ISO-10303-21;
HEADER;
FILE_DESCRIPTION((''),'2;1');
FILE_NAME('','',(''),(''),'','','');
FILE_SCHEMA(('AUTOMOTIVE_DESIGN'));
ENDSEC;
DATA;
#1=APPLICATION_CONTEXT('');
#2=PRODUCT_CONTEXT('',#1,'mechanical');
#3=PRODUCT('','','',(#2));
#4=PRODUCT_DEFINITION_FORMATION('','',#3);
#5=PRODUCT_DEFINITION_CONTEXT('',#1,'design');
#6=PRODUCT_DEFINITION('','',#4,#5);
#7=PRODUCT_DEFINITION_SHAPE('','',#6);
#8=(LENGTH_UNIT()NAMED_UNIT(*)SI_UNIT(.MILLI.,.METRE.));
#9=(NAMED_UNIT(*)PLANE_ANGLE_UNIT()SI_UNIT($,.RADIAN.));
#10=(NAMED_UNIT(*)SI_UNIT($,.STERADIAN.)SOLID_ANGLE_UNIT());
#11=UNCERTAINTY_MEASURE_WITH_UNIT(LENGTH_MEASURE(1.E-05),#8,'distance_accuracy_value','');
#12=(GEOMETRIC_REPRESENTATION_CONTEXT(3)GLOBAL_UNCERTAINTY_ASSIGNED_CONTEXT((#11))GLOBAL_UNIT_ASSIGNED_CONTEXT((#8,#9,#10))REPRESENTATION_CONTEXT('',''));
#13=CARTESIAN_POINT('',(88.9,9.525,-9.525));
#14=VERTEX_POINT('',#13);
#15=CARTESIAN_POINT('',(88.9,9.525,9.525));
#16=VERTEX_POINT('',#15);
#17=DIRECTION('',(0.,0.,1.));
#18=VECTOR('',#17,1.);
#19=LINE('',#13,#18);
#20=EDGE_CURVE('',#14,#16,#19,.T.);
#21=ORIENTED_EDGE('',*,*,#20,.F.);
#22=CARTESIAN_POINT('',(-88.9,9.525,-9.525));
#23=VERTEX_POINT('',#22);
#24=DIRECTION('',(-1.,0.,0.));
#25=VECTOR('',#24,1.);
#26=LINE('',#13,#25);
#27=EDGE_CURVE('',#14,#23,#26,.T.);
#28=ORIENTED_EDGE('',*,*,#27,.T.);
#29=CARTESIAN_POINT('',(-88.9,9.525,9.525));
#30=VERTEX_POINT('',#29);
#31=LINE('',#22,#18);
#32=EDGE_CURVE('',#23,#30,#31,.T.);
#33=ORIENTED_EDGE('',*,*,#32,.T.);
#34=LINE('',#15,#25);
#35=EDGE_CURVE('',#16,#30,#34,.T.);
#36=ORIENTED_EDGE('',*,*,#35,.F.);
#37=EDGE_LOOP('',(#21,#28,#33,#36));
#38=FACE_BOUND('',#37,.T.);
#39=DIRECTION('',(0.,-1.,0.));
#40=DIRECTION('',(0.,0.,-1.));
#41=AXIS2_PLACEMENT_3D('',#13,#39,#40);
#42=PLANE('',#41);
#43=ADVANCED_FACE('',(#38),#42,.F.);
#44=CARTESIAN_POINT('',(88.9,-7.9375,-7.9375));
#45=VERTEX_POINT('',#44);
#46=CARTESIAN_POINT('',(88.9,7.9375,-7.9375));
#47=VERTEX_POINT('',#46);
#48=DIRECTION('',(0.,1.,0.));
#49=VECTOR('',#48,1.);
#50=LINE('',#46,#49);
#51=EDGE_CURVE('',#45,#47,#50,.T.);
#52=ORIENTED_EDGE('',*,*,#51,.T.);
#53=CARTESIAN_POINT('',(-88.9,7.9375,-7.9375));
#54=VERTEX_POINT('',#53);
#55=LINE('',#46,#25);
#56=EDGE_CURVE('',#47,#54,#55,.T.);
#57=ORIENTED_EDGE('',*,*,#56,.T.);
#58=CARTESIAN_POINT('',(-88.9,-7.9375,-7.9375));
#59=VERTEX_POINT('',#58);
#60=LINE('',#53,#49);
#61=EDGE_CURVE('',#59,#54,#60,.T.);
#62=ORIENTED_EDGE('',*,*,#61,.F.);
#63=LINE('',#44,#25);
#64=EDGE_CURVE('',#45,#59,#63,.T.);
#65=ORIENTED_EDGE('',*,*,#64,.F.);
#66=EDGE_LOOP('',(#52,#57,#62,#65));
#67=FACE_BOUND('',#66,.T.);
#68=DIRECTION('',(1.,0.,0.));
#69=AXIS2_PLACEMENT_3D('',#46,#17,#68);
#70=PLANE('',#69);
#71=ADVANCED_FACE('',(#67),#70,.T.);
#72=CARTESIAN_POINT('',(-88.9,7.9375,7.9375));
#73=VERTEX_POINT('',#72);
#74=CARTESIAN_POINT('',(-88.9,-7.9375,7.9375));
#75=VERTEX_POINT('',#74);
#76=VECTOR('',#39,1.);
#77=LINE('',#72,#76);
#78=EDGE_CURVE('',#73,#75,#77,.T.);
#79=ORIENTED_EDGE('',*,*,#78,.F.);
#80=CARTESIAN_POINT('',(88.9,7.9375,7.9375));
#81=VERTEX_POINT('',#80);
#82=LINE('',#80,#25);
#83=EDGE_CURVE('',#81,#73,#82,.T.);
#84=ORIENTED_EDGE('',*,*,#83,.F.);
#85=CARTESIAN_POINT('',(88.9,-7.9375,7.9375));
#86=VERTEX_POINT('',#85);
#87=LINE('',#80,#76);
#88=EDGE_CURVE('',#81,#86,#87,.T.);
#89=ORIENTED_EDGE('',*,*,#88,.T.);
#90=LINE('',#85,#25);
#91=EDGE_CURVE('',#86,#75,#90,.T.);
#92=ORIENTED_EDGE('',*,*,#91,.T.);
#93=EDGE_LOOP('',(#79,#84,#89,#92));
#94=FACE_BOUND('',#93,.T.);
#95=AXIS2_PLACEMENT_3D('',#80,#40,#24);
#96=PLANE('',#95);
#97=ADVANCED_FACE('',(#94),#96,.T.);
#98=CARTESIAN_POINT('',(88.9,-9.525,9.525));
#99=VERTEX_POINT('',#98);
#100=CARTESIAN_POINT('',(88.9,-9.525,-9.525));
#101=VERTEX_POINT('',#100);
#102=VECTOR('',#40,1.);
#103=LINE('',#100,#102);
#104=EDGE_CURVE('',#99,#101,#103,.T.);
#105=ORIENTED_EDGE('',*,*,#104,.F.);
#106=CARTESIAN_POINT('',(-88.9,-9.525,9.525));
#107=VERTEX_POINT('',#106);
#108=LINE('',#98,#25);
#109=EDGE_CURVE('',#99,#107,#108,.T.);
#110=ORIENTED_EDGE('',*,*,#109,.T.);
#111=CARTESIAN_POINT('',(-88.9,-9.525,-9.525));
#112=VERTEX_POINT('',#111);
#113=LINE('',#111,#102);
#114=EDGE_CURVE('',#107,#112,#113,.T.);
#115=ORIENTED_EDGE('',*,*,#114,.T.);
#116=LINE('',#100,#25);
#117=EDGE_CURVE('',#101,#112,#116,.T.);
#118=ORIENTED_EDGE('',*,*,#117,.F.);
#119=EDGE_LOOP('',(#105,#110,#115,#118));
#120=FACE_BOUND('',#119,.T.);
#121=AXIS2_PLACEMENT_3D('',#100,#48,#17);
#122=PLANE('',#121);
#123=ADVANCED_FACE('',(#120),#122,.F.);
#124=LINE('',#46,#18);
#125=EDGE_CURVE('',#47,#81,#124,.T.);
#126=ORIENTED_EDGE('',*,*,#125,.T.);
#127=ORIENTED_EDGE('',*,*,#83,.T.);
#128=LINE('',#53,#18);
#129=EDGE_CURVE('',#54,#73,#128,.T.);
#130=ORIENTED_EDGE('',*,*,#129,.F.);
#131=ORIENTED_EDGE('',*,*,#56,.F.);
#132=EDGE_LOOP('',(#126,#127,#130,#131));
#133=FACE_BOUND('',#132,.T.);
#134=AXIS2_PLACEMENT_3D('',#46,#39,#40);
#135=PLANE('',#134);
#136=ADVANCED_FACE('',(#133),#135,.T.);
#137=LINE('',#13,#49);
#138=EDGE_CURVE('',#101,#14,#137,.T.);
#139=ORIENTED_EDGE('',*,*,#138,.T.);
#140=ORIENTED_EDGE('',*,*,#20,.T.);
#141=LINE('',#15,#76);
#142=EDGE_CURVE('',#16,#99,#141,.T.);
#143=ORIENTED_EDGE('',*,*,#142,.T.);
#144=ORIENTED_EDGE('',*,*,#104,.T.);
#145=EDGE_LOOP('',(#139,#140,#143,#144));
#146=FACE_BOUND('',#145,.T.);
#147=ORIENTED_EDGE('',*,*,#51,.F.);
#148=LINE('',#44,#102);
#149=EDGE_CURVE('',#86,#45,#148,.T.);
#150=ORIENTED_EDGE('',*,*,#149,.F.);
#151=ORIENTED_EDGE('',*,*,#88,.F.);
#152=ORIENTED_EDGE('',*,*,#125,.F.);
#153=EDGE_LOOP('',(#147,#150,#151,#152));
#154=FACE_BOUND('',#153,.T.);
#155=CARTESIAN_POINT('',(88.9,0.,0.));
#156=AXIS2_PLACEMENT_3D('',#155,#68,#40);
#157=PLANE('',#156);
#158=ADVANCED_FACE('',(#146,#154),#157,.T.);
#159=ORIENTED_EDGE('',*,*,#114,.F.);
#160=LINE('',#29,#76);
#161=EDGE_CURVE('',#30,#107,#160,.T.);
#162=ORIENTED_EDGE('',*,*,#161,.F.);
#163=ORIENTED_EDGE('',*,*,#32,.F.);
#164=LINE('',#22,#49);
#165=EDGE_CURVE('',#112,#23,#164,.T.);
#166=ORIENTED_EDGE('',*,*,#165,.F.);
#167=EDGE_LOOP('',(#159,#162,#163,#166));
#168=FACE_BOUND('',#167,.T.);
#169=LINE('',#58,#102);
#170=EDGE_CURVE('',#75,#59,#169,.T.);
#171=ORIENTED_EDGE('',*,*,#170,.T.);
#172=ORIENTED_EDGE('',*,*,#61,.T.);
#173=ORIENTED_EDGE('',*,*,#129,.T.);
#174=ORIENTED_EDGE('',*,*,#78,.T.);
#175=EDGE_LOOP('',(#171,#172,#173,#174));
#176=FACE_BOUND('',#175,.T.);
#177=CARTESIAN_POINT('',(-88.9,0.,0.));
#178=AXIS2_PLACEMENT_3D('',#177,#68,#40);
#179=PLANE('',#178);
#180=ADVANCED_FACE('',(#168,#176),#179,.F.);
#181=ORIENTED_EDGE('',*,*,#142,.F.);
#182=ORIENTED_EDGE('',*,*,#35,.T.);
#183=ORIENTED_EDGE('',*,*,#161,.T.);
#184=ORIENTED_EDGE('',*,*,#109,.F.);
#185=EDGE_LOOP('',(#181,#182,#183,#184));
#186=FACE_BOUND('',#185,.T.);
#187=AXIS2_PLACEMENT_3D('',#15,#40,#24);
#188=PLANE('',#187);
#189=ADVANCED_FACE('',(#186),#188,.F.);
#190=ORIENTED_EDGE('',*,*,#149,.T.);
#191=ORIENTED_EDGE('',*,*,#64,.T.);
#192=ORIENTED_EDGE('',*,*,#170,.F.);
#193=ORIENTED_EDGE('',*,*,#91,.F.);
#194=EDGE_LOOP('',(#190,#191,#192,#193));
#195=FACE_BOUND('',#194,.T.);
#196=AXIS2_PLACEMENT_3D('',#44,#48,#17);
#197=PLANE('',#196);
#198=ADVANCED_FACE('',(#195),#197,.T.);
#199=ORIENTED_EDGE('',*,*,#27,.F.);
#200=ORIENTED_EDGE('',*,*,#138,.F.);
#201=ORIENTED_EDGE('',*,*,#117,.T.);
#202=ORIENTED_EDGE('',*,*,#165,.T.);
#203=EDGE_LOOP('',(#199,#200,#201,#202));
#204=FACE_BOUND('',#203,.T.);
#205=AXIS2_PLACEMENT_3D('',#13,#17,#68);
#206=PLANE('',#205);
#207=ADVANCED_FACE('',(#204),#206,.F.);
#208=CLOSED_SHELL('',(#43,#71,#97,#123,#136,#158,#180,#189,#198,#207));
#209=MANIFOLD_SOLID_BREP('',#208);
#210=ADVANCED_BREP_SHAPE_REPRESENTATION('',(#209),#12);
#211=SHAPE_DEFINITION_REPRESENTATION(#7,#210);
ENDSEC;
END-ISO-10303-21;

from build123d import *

# Parameters (mm, degrees)
SKETCH1_W           = 19.05
SKETCH1_H           = 19.05
SKETCH1_W_2         = 15.875
SKETCH1_H_2         = 15.875
BOSS_EXTRUDE1_DEPTH = 88.9


with BuildPart() as part:
    # Sketch1 → Boss-Extrude1 (new body, symmetric)
    with BuildSketch(Plane(origin=(0, 0, 0), x_dir=(0, -1, 0), z_dir=(1, 0, 0))):
        Rectangle(SKETCH1_W, SKETCH1_H)
        Rectangle(SKETCH1_W_2, SKETCH1_H_2, mode=Mode.SUBTRACT)
    extrude(amount=BOSS_EXTRUDE1_DEPTH, both=True)


solid = part.part
